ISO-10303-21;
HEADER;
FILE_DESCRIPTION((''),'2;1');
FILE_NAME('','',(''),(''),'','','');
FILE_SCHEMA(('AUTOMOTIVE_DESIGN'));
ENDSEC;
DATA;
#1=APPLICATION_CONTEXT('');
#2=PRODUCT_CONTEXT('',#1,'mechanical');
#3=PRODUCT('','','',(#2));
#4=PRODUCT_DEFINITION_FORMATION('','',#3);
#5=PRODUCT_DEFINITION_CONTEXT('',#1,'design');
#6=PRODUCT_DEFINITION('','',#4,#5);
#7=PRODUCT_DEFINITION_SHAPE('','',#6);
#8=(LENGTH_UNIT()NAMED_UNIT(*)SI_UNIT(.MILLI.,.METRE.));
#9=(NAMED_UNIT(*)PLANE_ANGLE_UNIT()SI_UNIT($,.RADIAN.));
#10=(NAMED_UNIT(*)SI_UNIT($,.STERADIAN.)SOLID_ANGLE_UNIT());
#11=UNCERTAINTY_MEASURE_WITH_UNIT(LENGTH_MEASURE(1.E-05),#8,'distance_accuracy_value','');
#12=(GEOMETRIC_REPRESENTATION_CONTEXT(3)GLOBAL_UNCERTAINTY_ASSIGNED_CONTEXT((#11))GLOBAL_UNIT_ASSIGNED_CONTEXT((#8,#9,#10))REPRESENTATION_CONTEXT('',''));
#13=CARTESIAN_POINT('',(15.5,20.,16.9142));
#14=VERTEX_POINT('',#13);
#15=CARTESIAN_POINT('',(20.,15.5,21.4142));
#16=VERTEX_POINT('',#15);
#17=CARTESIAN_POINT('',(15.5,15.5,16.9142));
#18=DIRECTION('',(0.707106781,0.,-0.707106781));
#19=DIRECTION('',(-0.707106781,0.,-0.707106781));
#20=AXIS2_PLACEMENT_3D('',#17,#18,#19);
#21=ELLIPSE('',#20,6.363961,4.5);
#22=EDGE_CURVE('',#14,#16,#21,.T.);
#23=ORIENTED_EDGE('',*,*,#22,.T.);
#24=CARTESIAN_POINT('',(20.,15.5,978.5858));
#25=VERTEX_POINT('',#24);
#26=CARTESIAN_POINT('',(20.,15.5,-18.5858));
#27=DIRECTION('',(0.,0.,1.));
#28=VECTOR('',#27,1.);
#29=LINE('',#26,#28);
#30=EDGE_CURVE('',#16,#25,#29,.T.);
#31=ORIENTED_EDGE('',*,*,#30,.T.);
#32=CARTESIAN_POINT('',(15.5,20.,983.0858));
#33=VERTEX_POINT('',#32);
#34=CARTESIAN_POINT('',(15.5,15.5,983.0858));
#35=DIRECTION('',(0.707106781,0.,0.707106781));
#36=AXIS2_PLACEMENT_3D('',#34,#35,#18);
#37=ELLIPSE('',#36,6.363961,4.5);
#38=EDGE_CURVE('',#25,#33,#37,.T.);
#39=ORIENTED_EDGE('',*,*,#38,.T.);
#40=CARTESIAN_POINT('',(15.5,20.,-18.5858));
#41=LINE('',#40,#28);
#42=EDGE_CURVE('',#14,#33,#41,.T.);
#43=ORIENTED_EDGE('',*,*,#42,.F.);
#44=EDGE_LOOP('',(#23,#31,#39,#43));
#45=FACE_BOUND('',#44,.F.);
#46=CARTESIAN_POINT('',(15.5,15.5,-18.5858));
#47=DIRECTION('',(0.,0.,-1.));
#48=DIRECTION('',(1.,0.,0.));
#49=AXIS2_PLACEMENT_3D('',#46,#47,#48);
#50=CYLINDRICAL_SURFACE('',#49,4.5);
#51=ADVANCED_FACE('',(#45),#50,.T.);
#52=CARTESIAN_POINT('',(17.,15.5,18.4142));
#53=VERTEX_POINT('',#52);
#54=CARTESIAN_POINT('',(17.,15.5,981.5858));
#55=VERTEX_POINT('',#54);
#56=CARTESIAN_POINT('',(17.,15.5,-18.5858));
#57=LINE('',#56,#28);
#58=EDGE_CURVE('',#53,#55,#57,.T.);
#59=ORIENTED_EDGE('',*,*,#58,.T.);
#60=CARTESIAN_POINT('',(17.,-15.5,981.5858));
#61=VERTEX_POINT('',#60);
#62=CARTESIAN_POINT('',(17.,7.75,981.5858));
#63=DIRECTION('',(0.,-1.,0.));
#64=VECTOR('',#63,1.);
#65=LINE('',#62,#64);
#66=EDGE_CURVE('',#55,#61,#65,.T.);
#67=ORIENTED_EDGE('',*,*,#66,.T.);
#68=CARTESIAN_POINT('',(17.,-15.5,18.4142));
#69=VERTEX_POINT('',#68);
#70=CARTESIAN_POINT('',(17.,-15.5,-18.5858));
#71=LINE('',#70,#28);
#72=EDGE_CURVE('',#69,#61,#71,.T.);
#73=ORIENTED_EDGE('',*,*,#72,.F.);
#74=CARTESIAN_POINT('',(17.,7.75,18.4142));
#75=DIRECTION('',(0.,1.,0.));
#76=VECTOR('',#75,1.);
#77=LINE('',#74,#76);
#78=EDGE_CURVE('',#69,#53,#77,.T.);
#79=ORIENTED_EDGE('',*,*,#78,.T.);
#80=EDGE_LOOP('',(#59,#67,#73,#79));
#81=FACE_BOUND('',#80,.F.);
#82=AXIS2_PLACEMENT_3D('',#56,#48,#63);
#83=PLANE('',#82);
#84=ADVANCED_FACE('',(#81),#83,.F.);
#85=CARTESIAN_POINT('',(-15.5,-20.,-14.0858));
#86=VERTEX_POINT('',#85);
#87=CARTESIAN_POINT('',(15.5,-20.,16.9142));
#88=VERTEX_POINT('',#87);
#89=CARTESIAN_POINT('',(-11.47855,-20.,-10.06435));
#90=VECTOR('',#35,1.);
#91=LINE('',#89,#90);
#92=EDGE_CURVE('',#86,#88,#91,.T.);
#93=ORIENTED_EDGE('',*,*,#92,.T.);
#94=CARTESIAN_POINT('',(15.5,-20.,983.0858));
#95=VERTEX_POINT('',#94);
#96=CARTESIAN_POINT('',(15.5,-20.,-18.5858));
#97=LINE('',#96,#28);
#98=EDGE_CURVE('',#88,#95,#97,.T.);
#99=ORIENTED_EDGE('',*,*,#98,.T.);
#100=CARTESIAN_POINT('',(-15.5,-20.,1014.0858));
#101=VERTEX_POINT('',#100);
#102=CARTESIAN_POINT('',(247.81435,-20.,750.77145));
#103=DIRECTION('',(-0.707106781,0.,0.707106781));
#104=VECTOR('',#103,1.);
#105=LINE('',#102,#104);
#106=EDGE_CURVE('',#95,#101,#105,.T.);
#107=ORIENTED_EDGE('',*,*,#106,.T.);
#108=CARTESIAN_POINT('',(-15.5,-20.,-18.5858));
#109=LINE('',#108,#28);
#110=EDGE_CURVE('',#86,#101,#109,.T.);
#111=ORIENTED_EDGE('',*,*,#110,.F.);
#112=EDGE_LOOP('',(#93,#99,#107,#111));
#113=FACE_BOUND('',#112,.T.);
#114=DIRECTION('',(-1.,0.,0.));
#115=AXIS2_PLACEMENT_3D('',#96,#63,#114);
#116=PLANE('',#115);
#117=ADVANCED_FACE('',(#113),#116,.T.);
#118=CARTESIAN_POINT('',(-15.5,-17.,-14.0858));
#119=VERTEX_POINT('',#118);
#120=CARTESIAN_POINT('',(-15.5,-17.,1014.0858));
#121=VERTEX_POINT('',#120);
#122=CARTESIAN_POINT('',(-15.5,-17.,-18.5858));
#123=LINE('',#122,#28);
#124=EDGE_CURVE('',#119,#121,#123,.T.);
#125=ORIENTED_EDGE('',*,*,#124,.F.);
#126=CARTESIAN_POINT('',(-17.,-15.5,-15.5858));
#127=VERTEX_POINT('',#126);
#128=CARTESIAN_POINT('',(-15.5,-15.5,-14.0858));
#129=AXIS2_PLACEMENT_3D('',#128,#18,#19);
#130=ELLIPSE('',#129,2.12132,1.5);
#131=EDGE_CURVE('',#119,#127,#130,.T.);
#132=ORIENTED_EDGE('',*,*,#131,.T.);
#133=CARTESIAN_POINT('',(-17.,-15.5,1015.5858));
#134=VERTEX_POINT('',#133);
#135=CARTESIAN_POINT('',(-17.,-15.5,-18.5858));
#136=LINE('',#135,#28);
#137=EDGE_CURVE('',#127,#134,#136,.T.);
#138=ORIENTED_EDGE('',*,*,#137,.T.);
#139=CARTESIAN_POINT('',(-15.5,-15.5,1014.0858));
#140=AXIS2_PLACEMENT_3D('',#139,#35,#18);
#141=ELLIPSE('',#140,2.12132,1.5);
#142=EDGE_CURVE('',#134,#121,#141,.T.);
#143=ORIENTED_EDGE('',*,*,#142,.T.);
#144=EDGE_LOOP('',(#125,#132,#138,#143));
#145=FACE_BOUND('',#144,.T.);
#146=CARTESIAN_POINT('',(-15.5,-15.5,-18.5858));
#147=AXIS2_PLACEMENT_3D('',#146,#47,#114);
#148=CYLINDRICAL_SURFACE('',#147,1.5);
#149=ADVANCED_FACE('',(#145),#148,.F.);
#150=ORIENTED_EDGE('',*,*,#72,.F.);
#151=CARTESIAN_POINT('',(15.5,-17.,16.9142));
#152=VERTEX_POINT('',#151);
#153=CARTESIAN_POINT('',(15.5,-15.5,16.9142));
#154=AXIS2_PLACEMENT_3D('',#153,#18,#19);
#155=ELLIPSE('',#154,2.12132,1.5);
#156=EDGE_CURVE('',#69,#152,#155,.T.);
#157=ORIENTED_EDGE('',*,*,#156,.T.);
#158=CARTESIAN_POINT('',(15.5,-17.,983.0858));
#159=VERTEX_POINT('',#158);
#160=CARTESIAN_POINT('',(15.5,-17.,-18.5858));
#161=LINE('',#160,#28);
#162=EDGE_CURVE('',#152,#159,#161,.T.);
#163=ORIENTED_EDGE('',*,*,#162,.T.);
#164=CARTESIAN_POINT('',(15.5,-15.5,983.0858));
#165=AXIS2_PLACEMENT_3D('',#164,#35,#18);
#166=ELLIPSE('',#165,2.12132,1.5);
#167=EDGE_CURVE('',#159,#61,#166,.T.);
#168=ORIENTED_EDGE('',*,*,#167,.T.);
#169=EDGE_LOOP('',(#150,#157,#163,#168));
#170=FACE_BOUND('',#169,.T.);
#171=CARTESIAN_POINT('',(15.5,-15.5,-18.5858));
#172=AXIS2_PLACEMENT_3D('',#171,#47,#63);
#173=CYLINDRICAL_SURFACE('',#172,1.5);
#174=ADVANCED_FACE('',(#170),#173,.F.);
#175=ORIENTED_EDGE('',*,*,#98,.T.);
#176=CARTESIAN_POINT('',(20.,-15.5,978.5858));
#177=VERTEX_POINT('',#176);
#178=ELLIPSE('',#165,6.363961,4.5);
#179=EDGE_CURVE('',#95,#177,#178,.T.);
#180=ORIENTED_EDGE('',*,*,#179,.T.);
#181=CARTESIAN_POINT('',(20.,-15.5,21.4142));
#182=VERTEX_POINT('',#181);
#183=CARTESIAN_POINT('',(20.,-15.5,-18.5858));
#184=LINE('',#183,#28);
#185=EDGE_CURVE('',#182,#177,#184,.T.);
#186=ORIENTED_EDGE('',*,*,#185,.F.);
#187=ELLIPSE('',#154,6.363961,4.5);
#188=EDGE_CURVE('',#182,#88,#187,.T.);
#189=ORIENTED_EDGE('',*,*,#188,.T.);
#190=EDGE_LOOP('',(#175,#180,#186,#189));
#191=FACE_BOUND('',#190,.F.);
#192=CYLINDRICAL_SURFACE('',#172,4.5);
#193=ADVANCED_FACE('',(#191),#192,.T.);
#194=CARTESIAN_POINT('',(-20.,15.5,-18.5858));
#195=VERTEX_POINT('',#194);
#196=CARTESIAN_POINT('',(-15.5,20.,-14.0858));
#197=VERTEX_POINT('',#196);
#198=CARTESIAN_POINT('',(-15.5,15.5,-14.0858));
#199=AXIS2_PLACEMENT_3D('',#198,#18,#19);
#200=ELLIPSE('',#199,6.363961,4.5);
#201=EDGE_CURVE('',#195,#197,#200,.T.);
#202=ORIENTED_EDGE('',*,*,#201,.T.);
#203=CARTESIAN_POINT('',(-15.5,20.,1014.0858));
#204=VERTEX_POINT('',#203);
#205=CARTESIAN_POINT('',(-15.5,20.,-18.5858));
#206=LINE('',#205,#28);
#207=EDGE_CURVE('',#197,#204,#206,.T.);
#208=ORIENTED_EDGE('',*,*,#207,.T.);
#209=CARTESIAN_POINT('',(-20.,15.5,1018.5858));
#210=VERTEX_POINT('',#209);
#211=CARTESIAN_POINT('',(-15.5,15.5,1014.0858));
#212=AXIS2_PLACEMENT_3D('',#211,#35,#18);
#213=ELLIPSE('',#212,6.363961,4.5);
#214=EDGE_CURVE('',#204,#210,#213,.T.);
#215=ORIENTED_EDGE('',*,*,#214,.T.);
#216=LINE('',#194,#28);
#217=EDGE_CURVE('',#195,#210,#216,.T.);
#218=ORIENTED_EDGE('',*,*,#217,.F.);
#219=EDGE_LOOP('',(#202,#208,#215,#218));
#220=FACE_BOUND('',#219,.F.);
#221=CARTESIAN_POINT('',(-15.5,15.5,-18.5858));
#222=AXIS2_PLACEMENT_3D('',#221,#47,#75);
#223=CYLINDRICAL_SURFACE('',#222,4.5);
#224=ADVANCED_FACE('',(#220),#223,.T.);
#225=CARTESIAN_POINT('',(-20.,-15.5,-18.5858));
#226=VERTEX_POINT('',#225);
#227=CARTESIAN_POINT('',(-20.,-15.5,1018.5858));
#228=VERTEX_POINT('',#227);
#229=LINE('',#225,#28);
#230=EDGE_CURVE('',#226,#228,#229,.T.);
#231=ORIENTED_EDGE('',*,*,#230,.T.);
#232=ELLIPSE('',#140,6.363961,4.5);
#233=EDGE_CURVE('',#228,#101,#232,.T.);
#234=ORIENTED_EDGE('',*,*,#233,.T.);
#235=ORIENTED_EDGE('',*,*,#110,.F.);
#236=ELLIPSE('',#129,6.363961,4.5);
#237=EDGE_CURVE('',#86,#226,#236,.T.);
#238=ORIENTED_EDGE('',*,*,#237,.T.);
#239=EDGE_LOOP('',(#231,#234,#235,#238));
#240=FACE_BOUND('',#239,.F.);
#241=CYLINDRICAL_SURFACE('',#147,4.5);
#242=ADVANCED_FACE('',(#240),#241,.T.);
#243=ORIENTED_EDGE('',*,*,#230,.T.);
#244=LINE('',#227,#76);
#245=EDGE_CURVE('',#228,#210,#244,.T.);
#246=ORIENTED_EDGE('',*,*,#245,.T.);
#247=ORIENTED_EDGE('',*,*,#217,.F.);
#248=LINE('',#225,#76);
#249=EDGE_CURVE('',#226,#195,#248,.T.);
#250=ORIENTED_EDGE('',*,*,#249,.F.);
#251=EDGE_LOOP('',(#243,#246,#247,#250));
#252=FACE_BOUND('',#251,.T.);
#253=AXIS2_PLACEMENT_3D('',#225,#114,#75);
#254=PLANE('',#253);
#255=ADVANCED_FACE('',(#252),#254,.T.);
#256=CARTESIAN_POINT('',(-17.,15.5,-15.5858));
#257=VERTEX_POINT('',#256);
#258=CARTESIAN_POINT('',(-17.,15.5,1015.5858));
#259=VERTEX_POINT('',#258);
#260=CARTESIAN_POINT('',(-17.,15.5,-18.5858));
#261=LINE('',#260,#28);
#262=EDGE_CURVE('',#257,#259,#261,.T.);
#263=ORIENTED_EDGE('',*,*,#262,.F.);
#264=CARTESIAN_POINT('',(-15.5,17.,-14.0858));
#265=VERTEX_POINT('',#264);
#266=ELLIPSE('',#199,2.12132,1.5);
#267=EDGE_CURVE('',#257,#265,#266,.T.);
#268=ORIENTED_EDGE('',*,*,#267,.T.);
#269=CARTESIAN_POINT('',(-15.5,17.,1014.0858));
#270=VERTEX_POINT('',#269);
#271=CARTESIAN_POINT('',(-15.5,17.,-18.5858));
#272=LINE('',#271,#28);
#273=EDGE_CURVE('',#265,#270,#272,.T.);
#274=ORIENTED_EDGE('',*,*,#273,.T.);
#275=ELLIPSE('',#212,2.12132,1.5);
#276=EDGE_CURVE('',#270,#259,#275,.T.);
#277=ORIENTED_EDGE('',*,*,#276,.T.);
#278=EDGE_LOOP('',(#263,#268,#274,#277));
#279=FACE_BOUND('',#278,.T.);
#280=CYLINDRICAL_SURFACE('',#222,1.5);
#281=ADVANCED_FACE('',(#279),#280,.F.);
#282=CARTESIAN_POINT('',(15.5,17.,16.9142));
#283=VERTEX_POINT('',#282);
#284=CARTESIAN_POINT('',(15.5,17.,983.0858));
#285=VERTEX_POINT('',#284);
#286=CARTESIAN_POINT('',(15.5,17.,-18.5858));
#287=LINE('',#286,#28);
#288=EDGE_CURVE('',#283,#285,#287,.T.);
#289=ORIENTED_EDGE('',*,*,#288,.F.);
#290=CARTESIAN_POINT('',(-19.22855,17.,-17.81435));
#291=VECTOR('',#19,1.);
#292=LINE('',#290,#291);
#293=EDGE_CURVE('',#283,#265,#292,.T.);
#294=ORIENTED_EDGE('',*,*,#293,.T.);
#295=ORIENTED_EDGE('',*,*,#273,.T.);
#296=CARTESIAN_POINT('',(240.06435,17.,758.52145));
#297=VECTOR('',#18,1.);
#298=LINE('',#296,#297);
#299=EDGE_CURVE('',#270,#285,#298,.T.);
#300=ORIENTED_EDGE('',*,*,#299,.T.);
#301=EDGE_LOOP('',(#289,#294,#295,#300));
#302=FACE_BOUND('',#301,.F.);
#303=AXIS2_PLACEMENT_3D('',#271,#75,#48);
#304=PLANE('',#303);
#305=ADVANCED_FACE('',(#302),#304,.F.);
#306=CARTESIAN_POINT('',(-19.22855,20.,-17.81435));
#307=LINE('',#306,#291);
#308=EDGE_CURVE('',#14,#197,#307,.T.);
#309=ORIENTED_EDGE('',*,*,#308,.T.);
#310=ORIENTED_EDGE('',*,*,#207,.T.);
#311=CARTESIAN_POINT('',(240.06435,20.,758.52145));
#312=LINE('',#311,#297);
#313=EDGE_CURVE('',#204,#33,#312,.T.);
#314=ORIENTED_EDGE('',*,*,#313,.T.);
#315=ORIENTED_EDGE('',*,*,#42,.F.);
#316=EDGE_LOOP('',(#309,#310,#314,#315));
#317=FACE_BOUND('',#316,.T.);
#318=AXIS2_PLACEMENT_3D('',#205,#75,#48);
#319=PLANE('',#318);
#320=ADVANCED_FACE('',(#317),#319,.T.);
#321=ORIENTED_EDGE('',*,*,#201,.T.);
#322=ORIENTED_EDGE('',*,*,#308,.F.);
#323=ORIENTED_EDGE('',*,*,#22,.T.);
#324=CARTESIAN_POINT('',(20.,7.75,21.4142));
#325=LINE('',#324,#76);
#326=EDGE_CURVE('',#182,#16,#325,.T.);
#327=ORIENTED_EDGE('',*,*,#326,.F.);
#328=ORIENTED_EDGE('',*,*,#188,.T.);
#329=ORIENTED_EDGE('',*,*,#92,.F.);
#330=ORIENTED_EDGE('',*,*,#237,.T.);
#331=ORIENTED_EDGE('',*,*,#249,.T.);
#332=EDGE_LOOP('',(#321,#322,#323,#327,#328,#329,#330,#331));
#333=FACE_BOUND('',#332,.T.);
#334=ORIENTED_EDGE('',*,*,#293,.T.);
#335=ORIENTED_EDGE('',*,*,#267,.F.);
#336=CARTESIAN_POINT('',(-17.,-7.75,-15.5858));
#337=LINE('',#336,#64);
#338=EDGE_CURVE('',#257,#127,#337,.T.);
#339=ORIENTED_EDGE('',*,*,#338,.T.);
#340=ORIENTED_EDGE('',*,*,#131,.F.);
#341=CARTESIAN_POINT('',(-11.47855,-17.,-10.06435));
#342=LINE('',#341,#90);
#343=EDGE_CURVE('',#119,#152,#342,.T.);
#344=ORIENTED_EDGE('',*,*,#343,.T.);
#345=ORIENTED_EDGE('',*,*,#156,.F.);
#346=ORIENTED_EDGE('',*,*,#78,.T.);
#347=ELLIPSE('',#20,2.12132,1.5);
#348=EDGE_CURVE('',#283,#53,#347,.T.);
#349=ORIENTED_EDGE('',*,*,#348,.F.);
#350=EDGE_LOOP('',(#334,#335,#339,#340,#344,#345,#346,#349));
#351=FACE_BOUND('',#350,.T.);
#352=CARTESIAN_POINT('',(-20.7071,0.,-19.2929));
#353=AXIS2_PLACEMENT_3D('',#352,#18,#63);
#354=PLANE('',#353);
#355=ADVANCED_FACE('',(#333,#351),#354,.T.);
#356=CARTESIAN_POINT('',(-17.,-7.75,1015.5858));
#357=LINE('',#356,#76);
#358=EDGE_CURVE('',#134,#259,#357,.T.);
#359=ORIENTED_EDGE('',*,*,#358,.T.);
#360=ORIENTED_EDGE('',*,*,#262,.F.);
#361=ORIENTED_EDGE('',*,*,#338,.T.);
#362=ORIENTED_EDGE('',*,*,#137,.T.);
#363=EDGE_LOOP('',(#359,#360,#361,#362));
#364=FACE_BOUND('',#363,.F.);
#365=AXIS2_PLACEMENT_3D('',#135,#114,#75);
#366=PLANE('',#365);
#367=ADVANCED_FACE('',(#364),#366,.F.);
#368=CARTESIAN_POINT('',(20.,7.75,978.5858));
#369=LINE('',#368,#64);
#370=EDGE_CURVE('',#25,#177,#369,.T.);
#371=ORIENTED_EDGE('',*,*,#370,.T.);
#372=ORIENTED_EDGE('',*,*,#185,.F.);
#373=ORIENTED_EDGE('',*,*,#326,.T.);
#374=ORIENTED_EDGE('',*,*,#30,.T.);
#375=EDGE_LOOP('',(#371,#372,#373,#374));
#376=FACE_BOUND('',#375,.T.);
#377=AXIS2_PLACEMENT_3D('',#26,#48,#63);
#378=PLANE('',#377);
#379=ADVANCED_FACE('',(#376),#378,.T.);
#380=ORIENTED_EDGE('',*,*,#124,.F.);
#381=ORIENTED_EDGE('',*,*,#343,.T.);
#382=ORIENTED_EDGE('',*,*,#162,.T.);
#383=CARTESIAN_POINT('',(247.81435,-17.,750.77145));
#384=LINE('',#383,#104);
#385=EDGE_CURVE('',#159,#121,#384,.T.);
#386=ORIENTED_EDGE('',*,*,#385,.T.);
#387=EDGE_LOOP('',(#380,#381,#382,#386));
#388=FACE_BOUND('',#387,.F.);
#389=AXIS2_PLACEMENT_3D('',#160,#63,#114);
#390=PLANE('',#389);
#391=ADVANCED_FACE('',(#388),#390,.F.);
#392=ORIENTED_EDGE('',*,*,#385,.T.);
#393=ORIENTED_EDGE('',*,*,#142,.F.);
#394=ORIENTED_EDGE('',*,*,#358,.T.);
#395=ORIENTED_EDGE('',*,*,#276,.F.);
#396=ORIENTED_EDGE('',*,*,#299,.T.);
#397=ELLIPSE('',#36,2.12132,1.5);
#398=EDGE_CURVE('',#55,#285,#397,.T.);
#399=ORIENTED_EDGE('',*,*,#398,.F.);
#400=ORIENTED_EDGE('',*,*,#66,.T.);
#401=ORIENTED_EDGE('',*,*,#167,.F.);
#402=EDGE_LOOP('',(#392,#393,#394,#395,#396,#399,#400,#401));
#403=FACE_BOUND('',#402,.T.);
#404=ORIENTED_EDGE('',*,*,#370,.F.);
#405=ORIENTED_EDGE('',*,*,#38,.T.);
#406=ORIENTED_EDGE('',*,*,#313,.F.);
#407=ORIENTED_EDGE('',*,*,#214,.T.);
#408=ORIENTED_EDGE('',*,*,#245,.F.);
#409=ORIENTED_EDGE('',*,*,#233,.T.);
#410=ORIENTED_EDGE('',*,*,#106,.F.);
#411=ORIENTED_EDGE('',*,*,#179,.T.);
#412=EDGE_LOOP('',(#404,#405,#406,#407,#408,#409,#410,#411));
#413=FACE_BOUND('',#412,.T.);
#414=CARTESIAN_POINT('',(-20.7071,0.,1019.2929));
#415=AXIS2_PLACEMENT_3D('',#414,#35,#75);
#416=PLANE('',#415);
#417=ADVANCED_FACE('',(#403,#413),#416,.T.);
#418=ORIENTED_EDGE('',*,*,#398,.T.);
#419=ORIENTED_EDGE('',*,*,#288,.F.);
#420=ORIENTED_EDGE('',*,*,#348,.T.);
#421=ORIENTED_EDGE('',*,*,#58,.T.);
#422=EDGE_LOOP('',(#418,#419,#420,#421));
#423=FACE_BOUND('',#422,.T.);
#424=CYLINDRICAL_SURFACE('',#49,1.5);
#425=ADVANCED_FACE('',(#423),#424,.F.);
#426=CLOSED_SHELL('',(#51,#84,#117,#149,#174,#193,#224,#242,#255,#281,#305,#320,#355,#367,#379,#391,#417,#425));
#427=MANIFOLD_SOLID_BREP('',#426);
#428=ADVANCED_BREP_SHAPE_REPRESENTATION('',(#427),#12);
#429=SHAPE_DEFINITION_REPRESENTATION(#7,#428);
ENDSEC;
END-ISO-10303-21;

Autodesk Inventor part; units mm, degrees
ref_plane "Start Plane" through (0, 0, -18.5858) normal (0, 0, 1) x (1, 0, 0)
ref_plane "End Plane" through (0, 0, 1018.5858) normal (0, 0, 1) x (1, 0, 0)
sketch "Sketch" plane through (0, 0, 0) normal (0, 0, 1) x (1, 0, 0)
  line L0 (-20, -15.5) -> (-20, 15.5)
  line L1 (-15.5, 20) -> (15.5, 20)
  line L2 (20, 15.5) -> (20, -15.5)
  line L3 (15.5, -20) -> (-15.5, -20)
  arc A0 (-20, -15.5) -> (-15.5, -20) centre (-15.5, -15.5) ccw
  arc A1 (-15.5, 20) -> (-20, 15.5) centre (-15.5, 15.5) ccw
  arc A2 (20, 15.5) -> (15.5, 20) centre (15.5, 15.5) ccw
  arc A3 (15.5, -20) -> (20, -15.5) centre (15.5, -15.5) ccw
  arc A4 (-15.5, 17) -> (-17, 15.5) centre (-15.5, 15.5) ccw
  line L4 (-15.5, 17) -> (15.5, 17)
  arc A5 (17, 15.5) -> (15.5, 17) centre (15.5, 15.5) ccw
  line L5 (17, 15.5) -> (17, -15.5)
  arc A6 (15.5, -17) -> (17, -15.5) centre (15.5, -15.5) ccw
  line L6 (15.5, -17) -> (-15.5, -17)
  arc A7 (-17, -15.5) -> (-15.5, -17) centre (-15.5, -15.5) ccw
  line L7 (-17, -15.5) -> (-17, 15.5)
  line L8 (0, 29.3048) -> (0, -29.3048) construction
  line L9 (-29.3048, 0) -> (29.3048, 0) construction
  dimension "d7" = 4.5
  dimension "d10" = 40
  dimension "d11" = 40
  dimension "d12" = 3
  dimension "d15" = 20
  dimension "d16" = 20
extrude "Body" add sketch "Sketch" along normal up to surface (1037.1716 mm away) from surface at -18.5858
sketch "Sketch3" plane through (0, 0, 0) normal (0, 0, 1) x (1, 0, 0)
  line L0 (0, 0) -> (10, 0)
ref_plane "Work Plane3" through (0, 0, 0) normal (0, -1, 0) x (1, 0, 0)
ref_plane "Work Plane5" through (-20.7071, 0, -19.2929) normal (0.7071, 0, -0.7071) x (-0.7071, 0, -0.7071)
split "Split2" plane through (-20.7071, 0, -19.2929) removes the side toward (0.7071, 0, -0.7071)
ref_plane "Work Plane8" through (-20.7071, 0, 1019.2929) normal (0.7071, 0, 0.7071) x (0.7071, 0, -0.7071)
split "Split5" plane through (-20.7071, 0, 1019.2929) removes the side toward (0.7071, 0, 0.7071)
sketch "Sketch4" plane through (0, 0, 0) normal (0, -1, 0) x (1, 0, 0)
  line L0 (-2, -18.5858) -> (12, -18.5858) projected
  line L1 (-2, 1018.5858) -> (12, 1018.5858) projected
  dimension "d18" = 1037.1716
equation "\"d7\" = G_IR"
equation "\"d10\" = G_H"
equation "\"d11\" = G_W"
equation "\"d12\" = G_T"
equation "\"d15\" = 0.5 * d10"
equation "\"d16\" = 0.5 * d11"
equation "\"d3\" = G_L"
equation "\"G_W\" = 40"
equation "\"G_H\" = 40"
equation "\"G_T\" = 3"
equation "\"G_IR\" = 4.5"
equation "\"G_L\" = d18"
equation "\"G_OFFSET_START\" = 18.58579"
equation "\"G_OFFSET_END\" = 18.58579"
equation "\"d13\" = -G_OFFSET_START"
equation "\"d14\" = G_OFFSET_END + B_L"
equation "\"B_L\" = 1000"
properties part number "ISO 12633-2 - 40x40x3 - 1037,17" material "Steel, Mild"
